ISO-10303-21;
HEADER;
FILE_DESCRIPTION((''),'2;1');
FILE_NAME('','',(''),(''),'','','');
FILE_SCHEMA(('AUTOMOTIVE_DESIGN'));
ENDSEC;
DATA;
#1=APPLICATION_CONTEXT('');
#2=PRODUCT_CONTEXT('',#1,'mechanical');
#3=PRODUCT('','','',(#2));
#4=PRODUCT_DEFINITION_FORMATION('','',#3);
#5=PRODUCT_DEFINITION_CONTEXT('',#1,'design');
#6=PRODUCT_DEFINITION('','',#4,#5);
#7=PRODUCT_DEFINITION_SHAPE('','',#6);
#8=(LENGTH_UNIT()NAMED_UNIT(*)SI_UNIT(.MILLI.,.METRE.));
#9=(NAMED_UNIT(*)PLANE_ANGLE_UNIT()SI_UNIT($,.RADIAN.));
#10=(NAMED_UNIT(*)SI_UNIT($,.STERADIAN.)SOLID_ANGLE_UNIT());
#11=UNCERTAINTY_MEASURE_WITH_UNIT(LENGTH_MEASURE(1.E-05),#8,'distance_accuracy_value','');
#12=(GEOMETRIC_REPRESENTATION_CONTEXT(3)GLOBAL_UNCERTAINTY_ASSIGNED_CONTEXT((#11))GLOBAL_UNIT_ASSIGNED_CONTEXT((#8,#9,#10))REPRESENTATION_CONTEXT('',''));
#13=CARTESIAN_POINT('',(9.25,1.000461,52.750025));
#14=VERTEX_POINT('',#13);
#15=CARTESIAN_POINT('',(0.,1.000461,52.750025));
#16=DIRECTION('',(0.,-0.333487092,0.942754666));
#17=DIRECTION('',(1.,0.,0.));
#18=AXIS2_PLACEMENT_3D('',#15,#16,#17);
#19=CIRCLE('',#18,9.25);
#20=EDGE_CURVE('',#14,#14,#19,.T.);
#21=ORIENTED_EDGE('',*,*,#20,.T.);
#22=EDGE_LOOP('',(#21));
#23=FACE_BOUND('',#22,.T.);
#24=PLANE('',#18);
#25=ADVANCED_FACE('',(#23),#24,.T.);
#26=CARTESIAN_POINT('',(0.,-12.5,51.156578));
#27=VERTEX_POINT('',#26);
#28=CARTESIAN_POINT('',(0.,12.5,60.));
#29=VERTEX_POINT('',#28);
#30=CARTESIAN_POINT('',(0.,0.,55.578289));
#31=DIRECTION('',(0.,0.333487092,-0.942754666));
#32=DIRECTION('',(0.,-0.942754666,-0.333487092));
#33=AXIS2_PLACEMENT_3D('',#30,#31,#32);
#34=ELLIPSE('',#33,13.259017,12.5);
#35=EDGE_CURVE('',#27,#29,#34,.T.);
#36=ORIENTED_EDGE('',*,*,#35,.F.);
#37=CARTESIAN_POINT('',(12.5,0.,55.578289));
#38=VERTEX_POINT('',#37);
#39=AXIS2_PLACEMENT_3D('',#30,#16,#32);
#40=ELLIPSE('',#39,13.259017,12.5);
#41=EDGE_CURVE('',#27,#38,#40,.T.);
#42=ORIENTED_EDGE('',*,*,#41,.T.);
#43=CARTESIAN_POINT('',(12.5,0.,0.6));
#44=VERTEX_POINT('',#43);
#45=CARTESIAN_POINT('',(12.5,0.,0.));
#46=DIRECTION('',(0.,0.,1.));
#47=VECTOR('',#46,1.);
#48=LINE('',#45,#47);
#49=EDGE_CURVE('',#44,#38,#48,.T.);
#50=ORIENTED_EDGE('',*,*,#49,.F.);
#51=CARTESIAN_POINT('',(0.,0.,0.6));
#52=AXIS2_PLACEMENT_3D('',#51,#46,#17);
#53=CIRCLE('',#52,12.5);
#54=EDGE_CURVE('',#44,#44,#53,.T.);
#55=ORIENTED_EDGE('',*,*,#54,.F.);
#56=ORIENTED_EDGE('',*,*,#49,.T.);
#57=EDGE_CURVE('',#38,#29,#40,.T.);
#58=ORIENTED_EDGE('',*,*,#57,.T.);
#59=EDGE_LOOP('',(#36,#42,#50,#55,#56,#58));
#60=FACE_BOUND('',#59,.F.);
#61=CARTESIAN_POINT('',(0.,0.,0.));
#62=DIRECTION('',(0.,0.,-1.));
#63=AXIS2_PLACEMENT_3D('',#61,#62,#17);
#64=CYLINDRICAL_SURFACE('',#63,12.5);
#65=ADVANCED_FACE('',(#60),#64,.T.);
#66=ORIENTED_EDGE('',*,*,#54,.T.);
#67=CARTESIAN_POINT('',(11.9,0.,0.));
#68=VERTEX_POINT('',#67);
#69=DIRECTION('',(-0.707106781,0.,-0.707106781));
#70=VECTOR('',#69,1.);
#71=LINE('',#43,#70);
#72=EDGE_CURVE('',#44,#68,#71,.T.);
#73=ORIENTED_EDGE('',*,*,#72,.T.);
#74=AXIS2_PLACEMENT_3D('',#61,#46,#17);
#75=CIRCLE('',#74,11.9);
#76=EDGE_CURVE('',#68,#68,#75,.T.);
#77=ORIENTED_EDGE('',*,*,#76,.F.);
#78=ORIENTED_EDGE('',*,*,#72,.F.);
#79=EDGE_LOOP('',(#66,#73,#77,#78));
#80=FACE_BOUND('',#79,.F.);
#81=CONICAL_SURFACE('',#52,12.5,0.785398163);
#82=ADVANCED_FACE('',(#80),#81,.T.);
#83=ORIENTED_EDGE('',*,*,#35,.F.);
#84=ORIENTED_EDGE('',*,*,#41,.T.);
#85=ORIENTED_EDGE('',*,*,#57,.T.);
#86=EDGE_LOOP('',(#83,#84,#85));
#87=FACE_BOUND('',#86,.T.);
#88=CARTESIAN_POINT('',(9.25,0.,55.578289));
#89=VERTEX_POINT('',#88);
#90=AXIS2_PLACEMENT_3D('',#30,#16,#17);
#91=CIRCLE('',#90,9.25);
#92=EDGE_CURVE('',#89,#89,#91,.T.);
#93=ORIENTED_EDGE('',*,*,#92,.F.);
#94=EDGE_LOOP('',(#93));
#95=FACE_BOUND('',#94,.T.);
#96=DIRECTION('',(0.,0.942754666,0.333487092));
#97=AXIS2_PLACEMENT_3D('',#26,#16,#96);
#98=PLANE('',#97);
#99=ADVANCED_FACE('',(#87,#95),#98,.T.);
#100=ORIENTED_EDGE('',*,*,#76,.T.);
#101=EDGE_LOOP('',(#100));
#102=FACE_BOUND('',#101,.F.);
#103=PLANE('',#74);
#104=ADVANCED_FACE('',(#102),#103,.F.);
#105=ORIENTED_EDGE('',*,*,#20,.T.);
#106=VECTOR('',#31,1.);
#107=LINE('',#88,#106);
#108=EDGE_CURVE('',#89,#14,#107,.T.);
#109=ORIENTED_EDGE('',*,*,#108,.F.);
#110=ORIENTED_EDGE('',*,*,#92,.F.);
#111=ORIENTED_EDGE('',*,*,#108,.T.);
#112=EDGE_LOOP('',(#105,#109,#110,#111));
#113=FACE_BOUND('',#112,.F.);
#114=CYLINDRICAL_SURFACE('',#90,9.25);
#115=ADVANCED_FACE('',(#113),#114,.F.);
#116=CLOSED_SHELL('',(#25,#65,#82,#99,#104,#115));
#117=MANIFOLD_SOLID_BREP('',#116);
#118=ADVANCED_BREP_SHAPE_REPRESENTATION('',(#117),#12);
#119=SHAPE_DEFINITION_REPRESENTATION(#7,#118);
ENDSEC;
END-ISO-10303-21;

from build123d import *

# Parameters (mm, degrees)
F0_R          = 12.5
F1_DEPTH      = 60
F3_DEPTH      = 12.501
F3_DEPTH_BACK = 12.501
F4_R          = 9.25
F5_DEPTH      = 3
F6_SIZE       = 0.6


with BuildPart() as f1:
    # F0 (on Top) → F1 (new body)
    with BuildSketch(Plane.XY):
        Circle(F0_R)
    extrude(amount=F1_DEPTH)

    # F2 (on Right) → F3 (cut, two sides)
    with BuildSketch(Plane.YZ) as f3_sk:
        Polygon((12.5, 60), (-12.5, 60), (-12.5, 51.156578049), align=None)
    extrude(amount=-F3_DEPTH, mode=Mode.SUBTRACT)
    extrude(f3_sk.sketch, amount=F3_DEPTH_BACK, mode=Mode.SUBTRACT)

    # F4 (on face) → F5 (cut)
    with BuildSketch(Plane(origin=(0, -17.4736202127, 49.3972251624), x_dir=(1, 0, 0), z_dir=(0, -0.3334870921, 0.9427546655))):
        with Locations((0, 18.5346419929)):
            Circle(F4_R)
    extrude(amount=-F5_DEPTH, mode=Mode.SUBTRACT)

    # F6
    f6_edges = [f1.edges().sort_by_distance(p)[0] for p in [
        (-12.5, 0, 0),
    ]]
    chamfer(f6_edges, length=F6_SIZE)


solid = f1.part
